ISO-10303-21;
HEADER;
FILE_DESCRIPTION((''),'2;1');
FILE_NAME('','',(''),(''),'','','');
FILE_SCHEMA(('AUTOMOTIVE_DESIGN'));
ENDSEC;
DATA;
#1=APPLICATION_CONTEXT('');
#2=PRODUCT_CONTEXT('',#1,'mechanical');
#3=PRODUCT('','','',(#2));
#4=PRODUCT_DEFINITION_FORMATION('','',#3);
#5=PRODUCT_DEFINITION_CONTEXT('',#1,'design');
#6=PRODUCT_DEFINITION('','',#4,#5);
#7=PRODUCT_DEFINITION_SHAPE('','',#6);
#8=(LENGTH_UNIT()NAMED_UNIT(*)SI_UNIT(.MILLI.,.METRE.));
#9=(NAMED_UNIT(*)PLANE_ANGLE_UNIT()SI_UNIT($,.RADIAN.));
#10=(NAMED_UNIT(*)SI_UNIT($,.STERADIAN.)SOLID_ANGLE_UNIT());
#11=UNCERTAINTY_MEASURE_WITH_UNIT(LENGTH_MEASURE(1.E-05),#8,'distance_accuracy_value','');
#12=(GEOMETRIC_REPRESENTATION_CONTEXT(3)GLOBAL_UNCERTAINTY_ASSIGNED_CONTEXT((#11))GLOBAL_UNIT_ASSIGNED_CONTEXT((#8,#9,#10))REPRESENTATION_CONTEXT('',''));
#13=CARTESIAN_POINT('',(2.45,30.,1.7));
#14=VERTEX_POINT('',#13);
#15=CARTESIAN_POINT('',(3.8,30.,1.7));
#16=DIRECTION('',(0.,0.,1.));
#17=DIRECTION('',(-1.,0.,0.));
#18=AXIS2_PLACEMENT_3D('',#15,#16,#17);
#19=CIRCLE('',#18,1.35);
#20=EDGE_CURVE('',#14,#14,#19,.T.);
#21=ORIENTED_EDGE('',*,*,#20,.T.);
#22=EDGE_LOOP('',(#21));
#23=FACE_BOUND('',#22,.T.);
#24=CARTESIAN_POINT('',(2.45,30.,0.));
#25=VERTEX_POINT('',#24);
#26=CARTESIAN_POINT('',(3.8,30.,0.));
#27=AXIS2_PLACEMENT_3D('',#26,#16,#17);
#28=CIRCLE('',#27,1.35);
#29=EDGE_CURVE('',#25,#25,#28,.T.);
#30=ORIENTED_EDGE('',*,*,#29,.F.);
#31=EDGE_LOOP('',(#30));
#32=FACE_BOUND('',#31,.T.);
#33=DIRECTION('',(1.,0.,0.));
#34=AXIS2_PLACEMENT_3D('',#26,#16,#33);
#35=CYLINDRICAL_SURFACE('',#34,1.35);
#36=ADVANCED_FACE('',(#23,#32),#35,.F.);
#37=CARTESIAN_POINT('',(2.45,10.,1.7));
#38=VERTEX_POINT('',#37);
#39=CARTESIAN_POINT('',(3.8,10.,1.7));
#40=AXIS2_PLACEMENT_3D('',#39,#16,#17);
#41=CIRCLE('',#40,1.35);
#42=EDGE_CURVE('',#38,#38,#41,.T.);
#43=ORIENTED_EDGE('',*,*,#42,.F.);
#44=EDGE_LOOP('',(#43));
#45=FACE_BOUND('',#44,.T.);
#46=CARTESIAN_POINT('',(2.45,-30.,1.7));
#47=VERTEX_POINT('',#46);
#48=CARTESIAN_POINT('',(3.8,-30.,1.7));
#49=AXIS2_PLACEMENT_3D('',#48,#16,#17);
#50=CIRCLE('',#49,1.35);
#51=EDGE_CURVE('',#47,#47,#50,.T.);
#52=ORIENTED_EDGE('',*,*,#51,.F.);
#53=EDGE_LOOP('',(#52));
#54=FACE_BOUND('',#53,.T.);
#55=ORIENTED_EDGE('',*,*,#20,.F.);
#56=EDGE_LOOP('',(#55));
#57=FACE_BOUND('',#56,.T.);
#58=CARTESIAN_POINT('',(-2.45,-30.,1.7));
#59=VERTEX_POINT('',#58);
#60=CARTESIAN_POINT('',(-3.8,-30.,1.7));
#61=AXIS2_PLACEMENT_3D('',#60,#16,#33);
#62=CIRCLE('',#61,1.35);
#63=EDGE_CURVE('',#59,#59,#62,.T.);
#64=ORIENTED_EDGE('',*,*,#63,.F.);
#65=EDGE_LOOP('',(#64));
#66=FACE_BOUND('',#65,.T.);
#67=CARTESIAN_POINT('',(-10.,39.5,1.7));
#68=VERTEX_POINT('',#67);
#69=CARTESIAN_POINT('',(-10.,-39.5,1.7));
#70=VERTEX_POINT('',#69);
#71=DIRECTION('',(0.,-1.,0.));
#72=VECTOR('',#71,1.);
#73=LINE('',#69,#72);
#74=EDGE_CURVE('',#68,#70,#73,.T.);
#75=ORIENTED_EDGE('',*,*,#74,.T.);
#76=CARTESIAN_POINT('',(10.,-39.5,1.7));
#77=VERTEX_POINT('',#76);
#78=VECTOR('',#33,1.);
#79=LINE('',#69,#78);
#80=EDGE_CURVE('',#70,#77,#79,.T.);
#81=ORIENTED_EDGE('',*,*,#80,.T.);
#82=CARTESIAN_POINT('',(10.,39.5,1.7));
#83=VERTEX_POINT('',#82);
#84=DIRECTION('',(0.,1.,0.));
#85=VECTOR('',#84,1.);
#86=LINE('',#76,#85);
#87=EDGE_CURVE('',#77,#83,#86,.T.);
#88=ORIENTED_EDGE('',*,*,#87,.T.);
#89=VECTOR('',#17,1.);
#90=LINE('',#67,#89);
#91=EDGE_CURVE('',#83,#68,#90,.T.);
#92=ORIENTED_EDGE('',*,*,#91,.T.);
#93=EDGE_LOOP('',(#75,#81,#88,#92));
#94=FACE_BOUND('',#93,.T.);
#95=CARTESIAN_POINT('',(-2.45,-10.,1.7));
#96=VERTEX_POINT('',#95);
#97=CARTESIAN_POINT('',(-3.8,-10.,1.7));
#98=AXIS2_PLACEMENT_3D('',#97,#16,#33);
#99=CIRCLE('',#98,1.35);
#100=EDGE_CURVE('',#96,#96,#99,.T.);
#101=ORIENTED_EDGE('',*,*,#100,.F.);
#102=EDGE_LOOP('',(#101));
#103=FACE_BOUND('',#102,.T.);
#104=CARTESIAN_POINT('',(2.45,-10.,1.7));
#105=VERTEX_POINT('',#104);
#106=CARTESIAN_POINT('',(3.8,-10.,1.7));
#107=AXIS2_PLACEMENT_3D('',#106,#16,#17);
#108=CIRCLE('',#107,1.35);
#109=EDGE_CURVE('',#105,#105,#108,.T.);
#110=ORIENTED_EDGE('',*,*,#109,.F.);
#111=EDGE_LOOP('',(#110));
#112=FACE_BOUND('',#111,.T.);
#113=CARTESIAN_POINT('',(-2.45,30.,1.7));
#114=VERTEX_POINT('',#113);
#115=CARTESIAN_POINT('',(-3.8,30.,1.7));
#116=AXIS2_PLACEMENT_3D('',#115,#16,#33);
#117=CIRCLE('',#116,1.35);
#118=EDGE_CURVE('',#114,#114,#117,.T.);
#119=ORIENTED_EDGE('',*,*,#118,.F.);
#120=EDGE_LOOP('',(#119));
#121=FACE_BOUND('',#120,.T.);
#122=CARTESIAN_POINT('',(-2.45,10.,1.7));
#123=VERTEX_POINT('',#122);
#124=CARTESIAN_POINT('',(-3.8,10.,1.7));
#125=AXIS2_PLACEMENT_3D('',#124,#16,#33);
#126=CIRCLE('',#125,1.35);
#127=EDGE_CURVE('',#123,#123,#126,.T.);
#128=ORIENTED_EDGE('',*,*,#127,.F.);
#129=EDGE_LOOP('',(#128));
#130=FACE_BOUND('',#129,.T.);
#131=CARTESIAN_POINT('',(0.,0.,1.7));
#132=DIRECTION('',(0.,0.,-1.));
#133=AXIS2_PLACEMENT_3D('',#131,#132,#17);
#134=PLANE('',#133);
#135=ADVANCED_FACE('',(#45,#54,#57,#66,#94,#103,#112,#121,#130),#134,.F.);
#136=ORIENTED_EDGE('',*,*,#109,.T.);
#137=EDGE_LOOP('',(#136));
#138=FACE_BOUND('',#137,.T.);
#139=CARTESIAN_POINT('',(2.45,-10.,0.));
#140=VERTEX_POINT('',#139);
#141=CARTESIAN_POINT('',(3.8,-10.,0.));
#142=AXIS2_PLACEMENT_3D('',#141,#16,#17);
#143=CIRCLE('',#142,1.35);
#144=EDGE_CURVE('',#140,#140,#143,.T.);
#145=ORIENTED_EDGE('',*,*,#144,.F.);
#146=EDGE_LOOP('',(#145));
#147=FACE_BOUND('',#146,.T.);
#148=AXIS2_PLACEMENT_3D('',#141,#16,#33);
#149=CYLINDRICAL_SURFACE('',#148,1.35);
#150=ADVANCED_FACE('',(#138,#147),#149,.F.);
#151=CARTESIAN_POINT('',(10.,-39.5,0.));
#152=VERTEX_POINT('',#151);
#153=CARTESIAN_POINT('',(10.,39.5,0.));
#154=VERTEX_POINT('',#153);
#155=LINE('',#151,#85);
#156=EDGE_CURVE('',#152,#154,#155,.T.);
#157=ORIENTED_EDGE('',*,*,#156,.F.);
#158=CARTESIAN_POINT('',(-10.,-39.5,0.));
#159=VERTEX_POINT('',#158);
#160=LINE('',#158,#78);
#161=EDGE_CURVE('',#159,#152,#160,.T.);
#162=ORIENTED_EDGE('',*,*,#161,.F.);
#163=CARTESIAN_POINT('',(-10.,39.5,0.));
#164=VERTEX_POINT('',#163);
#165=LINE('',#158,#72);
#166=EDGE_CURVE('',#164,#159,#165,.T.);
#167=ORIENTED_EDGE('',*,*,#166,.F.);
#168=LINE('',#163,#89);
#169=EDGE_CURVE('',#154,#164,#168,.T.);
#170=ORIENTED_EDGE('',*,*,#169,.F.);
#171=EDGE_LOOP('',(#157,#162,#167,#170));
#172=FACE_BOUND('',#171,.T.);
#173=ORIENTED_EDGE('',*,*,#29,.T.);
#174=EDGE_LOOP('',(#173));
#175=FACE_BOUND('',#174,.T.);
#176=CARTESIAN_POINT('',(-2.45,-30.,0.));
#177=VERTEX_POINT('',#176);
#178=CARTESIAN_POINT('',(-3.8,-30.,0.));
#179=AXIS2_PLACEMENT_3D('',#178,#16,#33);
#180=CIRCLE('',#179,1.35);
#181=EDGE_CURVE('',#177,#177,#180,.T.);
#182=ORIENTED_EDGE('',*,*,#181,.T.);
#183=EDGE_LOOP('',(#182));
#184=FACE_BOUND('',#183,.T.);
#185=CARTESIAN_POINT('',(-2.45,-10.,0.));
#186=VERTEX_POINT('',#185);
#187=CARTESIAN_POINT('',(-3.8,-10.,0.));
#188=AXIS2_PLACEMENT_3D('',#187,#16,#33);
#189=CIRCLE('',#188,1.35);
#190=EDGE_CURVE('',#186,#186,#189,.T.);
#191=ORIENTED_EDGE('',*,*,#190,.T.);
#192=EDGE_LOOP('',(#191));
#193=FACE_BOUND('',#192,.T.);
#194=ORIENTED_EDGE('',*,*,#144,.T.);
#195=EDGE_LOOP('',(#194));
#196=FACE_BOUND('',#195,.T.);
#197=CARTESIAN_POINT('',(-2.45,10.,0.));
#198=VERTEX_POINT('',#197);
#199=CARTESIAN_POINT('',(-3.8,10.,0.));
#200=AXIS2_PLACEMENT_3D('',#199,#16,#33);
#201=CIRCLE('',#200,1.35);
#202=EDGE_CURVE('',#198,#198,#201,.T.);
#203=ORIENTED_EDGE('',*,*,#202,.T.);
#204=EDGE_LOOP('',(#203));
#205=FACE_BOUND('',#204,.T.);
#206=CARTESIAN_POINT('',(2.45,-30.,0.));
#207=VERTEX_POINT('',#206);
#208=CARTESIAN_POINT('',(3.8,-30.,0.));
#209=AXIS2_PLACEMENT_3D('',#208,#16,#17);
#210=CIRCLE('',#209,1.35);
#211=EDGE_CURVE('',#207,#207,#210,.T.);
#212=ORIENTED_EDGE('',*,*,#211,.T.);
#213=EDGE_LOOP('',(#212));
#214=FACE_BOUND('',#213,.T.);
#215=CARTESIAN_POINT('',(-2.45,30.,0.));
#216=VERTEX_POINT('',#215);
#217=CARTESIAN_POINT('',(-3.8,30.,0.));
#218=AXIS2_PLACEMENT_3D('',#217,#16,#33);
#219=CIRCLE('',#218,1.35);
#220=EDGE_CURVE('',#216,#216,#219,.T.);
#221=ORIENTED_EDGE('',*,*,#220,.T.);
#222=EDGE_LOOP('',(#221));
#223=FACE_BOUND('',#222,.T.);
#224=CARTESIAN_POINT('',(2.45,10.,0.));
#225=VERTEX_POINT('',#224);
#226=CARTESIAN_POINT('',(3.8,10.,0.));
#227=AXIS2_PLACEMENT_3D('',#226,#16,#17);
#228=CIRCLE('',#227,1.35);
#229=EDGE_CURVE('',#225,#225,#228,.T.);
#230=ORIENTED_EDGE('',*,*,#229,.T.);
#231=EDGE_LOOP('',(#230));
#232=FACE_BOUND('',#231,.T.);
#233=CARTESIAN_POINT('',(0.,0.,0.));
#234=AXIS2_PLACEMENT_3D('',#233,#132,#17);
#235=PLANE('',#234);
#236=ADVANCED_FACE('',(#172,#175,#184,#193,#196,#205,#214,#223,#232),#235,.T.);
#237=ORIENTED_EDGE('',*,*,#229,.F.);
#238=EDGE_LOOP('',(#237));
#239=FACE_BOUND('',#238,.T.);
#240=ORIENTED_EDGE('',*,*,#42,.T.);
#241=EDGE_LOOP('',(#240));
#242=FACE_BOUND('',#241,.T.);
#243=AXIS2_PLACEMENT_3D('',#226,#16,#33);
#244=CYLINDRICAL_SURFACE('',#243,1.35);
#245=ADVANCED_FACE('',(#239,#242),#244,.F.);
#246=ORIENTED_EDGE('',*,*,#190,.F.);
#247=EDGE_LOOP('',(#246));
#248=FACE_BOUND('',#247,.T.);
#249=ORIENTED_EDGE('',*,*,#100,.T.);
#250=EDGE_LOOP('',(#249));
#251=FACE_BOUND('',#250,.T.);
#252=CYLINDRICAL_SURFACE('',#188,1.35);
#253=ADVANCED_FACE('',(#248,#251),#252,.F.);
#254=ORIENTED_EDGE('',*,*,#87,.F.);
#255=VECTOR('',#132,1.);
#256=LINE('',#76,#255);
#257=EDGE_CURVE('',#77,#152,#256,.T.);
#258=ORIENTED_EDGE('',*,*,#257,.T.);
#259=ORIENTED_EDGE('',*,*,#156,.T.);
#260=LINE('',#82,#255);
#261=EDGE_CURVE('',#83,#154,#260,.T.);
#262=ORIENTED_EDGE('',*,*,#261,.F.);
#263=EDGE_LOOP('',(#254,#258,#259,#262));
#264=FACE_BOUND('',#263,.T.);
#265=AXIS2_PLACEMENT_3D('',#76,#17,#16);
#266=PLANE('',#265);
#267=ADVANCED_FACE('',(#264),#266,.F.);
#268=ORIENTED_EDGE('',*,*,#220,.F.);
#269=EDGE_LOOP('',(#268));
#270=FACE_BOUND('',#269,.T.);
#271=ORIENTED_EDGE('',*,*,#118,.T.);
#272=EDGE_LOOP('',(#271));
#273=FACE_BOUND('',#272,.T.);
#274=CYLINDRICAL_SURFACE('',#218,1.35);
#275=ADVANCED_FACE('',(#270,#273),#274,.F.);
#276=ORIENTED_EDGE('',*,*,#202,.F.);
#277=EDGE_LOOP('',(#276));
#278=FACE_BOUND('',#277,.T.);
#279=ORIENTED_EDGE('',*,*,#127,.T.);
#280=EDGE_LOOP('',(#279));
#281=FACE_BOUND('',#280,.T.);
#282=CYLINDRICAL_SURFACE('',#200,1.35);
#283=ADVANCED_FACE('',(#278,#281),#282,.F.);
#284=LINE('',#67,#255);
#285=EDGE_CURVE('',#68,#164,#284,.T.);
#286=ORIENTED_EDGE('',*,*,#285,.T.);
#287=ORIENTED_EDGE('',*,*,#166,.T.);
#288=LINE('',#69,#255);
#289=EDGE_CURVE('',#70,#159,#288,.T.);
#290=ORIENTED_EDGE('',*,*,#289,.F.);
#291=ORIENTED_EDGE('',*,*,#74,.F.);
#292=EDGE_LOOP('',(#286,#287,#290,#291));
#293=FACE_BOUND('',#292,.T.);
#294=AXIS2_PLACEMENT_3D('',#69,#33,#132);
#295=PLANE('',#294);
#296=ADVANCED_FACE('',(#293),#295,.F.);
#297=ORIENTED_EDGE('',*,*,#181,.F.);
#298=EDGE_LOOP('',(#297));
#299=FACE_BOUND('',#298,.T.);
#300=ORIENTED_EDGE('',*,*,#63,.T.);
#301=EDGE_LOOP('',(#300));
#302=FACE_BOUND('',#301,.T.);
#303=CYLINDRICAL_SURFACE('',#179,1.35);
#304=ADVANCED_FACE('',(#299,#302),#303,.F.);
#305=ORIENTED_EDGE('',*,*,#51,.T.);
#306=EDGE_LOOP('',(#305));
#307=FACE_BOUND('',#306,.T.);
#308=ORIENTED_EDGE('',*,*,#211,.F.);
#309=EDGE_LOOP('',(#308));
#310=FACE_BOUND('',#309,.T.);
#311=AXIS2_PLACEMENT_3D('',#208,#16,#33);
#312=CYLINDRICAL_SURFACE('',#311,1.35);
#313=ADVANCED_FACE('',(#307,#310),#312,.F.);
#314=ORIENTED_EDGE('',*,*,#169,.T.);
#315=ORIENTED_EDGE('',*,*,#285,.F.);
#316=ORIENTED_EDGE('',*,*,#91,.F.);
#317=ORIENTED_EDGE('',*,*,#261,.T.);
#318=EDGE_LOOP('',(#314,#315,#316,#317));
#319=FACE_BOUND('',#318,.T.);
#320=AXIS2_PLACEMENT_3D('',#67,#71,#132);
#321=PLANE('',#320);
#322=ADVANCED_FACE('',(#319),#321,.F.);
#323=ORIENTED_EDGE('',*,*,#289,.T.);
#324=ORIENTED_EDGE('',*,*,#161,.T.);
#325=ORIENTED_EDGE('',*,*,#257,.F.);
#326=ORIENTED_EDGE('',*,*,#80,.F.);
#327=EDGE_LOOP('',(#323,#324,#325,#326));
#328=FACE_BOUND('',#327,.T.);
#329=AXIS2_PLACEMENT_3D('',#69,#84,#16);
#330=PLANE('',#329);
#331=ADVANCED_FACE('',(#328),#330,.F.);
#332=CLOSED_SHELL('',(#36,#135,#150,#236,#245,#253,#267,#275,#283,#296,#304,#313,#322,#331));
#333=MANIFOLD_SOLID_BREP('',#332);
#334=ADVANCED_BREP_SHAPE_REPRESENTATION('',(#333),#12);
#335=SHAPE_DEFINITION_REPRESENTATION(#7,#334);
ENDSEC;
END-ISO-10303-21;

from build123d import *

# Parameters (mm, degrees)
SKETCH1_W           = 20
SKETCH1_H           = 79
BOSS_EXTRUDE1_DEPTH = 1.7
SKETCH3_R           = 1.35
CUT_EXTRUDE1_DEPTH  = 41.781613504


with BuildPart() as part:
    # Sketch1 → Boss-Extrude1 (new body)
    with BuildSketch(Plane.XY):
        Rectangle(SKETCH1_W, SKETCH1_H)
    extrude(amount=BOSS_EXTRUDE1_DEPTH)

    # Sketch3 → Cut-Extrude1 (cut, through all)
    with BuildSketch(Plane.XY.offset(1.7)):
        with Locations((-3.8, 30)):
            Circle(SKETCH3_R)
        with Locations((-3.8, 10)):
            Circle(SKETCH3_R)
        with Locations((-3.8, -10)):
            Circle(SKETCH3_R)
        with Locations((-3.8, -30)):
            Circle(SKETCH3_R)
        with Locations(Location((3.8, -30, 0), (0, 0, 180))):
            Circle(SKETCH3_R)
        with Locations(Location((3.8, -10, 0), (0, 0, 180))):
            Circle(SKETCH3_R)
        with Locations(Location((3.8, 10, 0), (0, 0, 180))):
            Circle(SKETCH3_R)
        with Locations(Location((3.8, 30, 0), (0, 0, 180))):
            Circle(SKETCH3_R)
    extrude(amount=-CUT_EXTRUDE1_DEPTH, mode=Mode.SUBTRACT)


solid = part.part
